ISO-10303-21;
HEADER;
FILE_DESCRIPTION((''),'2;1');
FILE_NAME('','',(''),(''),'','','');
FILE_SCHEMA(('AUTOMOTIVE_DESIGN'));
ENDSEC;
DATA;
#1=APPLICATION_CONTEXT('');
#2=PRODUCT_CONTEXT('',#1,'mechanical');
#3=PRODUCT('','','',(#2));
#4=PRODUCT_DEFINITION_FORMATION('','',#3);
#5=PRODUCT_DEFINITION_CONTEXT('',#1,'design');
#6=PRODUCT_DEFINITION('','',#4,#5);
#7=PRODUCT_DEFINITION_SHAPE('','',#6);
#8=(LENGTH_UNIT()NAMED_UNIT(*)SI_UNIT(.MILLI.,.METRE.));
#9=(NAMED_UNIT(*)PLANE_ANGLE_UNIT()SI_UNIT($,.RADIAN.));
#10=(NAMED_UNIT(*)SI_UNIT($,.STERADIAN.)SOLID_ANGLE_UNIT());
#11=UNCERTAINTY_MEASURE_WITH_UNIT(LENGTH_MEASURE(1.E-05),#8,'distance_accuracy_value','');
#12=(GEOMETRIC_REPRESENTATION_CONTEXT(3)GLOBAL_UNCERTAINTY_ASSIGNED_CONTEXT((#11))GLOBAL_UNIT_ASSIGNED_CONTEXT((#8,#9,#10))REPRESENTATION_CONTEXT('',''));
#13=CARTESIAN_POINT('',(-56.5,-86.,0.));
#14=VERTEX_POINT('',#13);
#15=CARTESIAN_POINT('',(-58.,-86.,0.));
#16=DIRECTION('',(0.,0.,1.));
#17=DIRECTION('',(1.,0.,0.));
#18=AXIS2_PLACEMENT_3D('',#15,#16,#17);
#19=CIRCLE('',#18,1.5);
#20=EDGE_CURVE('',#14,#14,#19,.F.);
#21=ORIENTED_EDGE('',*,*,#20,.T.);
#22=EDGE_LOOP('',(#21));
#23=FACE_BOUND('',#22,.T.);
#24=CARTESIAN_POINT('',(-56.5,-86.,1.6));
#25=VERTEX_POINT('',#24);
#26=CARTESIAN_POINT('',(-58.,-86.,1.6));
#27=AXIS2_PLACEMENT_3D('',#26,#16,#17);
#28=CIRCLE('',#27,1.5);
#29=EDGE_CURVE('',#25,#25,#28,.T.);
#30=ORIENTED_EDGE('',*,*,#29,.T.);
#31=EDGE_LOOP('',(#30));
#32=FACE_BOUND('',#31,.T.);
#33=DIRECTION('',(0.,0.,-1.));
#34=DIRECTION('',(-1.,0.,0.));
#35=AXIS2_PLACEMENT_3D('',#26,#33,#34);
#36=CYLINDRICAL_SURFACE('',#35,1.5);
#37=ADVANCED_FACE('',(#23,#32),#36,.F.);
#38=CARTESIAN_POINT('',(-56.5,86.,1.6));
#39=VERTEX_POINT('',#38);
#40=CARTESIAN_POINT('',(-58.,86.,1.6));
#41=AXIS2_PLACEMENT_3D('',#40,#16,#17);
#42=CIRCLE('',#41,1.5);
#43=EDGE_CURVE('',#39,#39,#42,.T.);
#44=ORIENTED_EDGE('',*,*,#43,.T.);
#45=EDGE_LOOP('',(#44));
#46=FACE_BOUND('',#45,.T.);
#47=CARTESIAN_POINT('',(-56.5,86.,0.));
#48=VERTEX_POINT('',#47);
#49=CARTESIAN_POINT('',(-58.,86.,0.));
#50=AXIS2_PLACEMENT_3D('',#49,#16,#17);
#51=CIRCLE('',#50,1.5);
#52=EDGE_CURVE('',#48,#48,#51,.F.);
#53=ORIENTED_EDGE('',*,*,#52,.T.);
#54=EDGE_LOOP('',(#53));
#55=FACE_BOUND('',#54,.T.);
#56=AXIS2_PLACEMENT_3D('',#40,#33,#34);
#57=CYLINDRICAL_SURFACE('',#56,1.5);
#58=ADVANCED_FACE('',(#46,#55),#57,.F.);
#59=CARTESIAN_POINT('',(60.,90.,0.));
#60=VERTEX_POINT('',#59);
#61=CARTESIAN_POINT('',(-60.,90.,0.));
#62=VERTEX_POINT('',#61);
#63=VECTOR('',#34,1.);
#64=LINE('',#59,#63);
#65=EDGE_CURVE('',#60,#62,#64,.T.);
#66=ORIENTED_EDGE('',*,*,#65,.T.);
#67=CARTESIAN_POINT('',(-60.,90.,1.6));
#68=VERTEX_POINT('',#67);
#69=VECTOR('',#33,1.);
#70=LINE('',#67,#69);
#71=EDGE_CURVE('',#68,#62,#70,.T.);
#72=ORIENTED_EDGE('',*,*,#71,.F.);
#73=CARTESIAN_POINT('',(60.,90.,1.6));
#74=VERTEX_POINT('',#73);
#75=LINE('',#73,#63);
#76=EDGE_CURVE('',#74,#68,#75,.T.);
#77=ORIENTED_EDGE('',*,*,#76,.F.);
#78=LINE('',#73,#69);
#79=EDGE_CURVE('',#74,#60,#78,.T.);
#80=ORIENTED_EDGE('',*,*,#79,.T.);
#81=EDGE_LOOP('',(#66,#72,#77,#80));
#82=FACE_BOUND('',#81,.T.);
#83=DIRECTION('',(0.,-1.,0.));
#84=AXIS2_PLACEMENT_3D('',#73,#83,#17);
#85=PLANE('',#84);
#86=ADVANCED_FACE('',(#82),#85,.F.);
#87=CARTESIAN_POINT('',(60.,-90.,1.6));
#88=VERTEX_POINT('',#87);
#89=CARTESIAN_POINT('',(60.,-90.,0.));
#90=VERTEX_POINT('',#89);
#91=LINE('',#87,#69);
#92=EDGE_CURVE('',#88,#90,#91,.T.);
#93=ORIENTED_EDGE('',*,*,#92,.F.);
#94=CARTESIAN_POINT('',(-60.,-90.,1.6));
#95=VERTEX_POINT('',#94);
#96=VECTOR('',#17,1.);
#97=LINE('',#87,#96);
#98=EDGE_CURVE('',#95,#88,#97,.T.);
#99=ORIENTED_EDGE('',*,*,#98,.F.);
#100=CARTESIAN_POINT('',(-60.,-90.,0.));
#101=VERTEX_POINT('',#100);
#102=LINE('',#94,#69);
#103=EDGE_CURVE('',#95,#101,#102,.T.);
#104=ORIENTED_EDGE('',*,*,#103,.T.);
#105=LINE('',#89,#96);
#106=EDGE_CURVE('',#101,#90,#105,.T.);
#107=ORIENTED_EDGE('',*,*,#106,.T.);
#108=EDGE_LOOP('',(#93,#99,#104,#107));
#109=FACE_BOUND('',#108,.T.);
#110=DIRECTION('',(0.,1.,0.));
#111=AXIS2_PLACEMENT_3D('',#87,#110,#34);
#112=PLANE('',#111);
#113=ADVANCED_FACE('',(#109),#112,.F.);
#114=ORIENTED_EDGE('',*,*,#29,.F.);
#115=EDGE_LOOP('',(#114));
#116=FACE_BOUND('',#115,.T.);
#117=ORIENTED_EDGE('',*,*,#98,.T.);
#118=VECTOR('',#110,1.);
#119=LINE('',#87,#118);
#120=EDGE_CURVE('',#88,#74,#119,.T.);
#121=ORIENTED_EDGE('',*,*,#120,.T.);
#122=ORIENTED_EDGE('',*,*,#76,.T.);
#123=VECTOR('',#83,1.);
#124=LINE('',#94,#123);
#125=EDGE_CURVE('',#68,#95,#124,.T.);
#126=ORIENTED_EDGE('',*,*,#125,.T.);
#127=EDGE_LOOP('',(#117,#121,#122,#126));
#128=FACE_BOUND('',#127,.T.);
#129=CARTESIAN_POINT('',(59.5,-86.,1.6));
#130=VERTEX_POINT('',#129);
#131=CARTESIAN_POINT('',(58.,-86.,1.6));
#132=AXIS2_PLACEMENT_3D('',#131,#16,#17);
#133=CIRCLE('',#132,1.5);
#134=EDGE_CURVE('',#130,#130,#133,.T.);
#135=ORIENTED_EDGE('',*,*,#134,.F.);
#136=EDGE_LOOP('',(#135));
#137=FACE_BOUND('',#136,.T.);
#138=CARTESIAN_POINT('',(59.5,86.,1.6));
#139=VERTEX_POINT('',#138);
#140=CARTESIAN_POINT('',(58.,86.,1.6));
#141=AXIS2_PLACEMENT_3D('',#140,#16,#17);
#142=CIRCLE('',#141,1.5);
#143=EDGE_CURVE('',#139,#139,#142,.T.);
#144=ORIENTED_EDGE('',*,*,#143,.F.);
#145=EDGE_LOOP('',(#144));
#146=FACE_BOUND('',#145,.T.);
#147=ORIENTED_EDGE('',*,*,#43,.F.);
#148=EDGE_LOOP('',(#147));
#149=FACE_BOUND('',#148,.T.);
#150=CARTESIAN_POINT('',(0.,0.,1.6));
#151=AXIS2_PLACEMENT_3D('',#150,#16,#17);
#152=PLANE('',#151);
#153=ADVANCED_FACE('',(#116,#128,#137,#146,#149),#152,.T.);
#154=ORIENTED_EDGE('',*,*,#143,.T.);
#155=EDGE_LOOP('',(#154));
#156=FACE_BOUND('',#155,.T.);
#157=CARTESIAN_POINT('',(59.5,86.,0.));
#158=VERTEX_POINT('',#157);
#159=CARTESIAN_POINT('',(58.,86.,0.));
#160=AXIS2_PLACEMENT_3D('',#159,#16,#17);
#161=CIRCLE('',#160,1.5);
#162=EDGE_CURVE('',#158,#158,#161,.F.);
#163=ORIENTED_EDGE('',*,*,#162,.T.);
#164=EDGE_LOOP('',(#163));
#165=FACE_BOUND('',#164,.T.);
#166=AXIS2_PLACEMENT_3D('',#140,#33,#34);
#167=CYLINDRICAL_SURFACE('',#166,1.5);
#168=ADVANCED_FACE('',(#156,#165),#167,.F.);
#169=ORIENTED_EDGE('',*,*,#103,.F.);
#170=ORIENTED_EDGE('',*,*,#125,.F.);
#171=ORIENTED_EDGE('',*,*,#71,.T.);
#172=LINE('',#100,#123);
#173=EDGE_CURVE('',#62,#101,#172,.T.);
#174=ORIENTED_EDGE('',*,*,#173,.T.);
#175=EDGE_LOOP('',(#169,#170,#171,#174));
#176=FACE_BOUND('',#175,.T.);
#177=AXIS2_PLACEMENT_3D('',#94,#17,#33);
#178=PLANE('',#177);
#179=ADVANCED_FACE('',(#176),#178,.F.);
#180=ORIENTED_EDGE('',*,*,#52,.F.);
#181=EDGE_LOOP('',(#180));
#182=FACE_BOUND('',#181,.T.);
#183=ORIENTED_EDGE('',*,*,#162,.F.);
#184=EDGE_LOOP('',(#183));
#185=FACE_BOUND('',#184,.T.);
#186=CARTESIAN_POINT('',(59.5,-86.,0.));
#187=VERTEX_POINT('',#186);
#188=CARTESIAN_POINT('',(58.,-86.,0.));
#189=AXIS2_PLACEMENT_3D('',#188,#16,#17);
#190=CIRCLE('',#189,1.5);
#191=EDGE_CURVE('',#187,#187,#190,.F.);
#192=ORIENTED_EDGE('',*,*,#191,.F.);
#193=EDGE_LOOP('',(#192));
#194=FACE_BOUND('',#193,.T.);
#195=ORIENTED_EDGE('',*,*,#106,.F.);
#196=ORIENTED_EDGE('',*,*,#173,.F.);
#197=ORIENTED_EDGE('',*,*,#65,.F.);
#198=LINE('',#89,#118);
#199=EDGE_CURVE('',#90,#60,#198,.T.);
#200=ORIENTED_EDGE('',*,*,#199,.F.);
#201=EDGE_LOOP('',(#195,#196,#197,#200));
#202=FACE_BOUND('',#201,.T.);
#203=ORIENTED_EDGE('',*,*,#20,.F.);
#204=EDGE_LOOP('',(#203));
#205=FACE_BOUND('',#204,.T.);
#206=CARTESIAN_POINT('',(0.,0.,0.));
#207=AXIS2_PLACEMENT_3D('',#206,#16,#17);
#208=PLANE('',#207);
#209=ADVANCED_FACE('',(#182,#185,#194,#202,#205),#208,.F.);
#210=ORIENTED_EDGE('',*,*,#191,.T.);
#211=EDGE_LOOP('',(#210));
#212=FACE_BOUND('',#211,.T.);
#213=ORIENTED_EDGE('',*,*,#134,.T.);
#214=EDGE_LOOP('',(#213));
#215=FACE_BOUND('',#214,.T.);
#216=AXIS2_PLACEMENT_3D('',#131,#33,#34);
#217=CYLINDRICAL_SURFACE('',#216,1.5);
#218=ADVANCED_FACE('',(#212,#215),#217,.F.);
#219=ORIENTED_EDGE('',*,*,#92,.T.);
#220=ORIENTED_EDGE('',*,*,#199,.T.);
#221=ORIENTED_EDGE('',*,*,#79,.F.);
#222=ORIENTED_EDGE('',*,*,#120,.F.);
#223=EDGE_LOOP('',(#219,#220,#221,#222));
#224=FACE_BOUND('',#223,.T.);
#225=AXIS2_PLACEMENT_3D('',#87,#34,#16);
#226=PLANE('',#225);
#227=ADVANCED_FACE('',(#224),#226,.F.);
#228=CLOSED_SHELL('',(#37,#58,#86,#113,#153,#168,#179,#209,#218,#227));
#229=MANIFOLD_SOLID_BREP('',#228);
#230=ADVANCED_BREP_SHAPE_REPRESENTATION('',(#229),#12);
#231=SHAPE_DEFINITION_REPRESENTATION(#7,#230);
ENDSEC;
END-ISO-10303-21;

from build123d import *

# Parameters (mm, degrees)
SKETCH1_W               = 120
SKETCH1_H               = 180
BOSS_EXTRUDE1_DEPTH     = 1.6
SKETCH2_R               = 1.5
CUT_EXTRUDE2_DEPTH      = 2.6
CUT_EXTRUDE2_DEPTH_BACK = 1


with BuildPart() as part:
    # Sketch1 → Boss-Extrude1 (new body)
    with BuildSketch(Plane.XY):
        Rectangle(SKETCH1_W, SKETCH1_H)
    extrude(amount=BOSS_EXTRUDE1_DEPTH)

    # Sketch2 → Cut-Extrude2 (cut, two sides)
    with BuildSketch(Plane.XY) as cut_extrude2_sk:
        with Locations((-58, 86)):
            Circle(SKETCH2_R)
        with Locations((58, 86)):
            Circle(SKETCH2_R)
        with Locations((58, -86)):
            Circle(SKETCH2_R)
        with Locations((-58, -86)):
            Circle(SKETCH2_R)
    extrude(amount=CUT_EXTRUDE2_DEPTH, mode=Mode.SUBTRACT)
    extrude(cut_extrude2_sk.sketch, amount=-CUT_EXTRUDE2_DEPTH_BACK, mode=Mode.SUBTRACT)


solid = part.part
